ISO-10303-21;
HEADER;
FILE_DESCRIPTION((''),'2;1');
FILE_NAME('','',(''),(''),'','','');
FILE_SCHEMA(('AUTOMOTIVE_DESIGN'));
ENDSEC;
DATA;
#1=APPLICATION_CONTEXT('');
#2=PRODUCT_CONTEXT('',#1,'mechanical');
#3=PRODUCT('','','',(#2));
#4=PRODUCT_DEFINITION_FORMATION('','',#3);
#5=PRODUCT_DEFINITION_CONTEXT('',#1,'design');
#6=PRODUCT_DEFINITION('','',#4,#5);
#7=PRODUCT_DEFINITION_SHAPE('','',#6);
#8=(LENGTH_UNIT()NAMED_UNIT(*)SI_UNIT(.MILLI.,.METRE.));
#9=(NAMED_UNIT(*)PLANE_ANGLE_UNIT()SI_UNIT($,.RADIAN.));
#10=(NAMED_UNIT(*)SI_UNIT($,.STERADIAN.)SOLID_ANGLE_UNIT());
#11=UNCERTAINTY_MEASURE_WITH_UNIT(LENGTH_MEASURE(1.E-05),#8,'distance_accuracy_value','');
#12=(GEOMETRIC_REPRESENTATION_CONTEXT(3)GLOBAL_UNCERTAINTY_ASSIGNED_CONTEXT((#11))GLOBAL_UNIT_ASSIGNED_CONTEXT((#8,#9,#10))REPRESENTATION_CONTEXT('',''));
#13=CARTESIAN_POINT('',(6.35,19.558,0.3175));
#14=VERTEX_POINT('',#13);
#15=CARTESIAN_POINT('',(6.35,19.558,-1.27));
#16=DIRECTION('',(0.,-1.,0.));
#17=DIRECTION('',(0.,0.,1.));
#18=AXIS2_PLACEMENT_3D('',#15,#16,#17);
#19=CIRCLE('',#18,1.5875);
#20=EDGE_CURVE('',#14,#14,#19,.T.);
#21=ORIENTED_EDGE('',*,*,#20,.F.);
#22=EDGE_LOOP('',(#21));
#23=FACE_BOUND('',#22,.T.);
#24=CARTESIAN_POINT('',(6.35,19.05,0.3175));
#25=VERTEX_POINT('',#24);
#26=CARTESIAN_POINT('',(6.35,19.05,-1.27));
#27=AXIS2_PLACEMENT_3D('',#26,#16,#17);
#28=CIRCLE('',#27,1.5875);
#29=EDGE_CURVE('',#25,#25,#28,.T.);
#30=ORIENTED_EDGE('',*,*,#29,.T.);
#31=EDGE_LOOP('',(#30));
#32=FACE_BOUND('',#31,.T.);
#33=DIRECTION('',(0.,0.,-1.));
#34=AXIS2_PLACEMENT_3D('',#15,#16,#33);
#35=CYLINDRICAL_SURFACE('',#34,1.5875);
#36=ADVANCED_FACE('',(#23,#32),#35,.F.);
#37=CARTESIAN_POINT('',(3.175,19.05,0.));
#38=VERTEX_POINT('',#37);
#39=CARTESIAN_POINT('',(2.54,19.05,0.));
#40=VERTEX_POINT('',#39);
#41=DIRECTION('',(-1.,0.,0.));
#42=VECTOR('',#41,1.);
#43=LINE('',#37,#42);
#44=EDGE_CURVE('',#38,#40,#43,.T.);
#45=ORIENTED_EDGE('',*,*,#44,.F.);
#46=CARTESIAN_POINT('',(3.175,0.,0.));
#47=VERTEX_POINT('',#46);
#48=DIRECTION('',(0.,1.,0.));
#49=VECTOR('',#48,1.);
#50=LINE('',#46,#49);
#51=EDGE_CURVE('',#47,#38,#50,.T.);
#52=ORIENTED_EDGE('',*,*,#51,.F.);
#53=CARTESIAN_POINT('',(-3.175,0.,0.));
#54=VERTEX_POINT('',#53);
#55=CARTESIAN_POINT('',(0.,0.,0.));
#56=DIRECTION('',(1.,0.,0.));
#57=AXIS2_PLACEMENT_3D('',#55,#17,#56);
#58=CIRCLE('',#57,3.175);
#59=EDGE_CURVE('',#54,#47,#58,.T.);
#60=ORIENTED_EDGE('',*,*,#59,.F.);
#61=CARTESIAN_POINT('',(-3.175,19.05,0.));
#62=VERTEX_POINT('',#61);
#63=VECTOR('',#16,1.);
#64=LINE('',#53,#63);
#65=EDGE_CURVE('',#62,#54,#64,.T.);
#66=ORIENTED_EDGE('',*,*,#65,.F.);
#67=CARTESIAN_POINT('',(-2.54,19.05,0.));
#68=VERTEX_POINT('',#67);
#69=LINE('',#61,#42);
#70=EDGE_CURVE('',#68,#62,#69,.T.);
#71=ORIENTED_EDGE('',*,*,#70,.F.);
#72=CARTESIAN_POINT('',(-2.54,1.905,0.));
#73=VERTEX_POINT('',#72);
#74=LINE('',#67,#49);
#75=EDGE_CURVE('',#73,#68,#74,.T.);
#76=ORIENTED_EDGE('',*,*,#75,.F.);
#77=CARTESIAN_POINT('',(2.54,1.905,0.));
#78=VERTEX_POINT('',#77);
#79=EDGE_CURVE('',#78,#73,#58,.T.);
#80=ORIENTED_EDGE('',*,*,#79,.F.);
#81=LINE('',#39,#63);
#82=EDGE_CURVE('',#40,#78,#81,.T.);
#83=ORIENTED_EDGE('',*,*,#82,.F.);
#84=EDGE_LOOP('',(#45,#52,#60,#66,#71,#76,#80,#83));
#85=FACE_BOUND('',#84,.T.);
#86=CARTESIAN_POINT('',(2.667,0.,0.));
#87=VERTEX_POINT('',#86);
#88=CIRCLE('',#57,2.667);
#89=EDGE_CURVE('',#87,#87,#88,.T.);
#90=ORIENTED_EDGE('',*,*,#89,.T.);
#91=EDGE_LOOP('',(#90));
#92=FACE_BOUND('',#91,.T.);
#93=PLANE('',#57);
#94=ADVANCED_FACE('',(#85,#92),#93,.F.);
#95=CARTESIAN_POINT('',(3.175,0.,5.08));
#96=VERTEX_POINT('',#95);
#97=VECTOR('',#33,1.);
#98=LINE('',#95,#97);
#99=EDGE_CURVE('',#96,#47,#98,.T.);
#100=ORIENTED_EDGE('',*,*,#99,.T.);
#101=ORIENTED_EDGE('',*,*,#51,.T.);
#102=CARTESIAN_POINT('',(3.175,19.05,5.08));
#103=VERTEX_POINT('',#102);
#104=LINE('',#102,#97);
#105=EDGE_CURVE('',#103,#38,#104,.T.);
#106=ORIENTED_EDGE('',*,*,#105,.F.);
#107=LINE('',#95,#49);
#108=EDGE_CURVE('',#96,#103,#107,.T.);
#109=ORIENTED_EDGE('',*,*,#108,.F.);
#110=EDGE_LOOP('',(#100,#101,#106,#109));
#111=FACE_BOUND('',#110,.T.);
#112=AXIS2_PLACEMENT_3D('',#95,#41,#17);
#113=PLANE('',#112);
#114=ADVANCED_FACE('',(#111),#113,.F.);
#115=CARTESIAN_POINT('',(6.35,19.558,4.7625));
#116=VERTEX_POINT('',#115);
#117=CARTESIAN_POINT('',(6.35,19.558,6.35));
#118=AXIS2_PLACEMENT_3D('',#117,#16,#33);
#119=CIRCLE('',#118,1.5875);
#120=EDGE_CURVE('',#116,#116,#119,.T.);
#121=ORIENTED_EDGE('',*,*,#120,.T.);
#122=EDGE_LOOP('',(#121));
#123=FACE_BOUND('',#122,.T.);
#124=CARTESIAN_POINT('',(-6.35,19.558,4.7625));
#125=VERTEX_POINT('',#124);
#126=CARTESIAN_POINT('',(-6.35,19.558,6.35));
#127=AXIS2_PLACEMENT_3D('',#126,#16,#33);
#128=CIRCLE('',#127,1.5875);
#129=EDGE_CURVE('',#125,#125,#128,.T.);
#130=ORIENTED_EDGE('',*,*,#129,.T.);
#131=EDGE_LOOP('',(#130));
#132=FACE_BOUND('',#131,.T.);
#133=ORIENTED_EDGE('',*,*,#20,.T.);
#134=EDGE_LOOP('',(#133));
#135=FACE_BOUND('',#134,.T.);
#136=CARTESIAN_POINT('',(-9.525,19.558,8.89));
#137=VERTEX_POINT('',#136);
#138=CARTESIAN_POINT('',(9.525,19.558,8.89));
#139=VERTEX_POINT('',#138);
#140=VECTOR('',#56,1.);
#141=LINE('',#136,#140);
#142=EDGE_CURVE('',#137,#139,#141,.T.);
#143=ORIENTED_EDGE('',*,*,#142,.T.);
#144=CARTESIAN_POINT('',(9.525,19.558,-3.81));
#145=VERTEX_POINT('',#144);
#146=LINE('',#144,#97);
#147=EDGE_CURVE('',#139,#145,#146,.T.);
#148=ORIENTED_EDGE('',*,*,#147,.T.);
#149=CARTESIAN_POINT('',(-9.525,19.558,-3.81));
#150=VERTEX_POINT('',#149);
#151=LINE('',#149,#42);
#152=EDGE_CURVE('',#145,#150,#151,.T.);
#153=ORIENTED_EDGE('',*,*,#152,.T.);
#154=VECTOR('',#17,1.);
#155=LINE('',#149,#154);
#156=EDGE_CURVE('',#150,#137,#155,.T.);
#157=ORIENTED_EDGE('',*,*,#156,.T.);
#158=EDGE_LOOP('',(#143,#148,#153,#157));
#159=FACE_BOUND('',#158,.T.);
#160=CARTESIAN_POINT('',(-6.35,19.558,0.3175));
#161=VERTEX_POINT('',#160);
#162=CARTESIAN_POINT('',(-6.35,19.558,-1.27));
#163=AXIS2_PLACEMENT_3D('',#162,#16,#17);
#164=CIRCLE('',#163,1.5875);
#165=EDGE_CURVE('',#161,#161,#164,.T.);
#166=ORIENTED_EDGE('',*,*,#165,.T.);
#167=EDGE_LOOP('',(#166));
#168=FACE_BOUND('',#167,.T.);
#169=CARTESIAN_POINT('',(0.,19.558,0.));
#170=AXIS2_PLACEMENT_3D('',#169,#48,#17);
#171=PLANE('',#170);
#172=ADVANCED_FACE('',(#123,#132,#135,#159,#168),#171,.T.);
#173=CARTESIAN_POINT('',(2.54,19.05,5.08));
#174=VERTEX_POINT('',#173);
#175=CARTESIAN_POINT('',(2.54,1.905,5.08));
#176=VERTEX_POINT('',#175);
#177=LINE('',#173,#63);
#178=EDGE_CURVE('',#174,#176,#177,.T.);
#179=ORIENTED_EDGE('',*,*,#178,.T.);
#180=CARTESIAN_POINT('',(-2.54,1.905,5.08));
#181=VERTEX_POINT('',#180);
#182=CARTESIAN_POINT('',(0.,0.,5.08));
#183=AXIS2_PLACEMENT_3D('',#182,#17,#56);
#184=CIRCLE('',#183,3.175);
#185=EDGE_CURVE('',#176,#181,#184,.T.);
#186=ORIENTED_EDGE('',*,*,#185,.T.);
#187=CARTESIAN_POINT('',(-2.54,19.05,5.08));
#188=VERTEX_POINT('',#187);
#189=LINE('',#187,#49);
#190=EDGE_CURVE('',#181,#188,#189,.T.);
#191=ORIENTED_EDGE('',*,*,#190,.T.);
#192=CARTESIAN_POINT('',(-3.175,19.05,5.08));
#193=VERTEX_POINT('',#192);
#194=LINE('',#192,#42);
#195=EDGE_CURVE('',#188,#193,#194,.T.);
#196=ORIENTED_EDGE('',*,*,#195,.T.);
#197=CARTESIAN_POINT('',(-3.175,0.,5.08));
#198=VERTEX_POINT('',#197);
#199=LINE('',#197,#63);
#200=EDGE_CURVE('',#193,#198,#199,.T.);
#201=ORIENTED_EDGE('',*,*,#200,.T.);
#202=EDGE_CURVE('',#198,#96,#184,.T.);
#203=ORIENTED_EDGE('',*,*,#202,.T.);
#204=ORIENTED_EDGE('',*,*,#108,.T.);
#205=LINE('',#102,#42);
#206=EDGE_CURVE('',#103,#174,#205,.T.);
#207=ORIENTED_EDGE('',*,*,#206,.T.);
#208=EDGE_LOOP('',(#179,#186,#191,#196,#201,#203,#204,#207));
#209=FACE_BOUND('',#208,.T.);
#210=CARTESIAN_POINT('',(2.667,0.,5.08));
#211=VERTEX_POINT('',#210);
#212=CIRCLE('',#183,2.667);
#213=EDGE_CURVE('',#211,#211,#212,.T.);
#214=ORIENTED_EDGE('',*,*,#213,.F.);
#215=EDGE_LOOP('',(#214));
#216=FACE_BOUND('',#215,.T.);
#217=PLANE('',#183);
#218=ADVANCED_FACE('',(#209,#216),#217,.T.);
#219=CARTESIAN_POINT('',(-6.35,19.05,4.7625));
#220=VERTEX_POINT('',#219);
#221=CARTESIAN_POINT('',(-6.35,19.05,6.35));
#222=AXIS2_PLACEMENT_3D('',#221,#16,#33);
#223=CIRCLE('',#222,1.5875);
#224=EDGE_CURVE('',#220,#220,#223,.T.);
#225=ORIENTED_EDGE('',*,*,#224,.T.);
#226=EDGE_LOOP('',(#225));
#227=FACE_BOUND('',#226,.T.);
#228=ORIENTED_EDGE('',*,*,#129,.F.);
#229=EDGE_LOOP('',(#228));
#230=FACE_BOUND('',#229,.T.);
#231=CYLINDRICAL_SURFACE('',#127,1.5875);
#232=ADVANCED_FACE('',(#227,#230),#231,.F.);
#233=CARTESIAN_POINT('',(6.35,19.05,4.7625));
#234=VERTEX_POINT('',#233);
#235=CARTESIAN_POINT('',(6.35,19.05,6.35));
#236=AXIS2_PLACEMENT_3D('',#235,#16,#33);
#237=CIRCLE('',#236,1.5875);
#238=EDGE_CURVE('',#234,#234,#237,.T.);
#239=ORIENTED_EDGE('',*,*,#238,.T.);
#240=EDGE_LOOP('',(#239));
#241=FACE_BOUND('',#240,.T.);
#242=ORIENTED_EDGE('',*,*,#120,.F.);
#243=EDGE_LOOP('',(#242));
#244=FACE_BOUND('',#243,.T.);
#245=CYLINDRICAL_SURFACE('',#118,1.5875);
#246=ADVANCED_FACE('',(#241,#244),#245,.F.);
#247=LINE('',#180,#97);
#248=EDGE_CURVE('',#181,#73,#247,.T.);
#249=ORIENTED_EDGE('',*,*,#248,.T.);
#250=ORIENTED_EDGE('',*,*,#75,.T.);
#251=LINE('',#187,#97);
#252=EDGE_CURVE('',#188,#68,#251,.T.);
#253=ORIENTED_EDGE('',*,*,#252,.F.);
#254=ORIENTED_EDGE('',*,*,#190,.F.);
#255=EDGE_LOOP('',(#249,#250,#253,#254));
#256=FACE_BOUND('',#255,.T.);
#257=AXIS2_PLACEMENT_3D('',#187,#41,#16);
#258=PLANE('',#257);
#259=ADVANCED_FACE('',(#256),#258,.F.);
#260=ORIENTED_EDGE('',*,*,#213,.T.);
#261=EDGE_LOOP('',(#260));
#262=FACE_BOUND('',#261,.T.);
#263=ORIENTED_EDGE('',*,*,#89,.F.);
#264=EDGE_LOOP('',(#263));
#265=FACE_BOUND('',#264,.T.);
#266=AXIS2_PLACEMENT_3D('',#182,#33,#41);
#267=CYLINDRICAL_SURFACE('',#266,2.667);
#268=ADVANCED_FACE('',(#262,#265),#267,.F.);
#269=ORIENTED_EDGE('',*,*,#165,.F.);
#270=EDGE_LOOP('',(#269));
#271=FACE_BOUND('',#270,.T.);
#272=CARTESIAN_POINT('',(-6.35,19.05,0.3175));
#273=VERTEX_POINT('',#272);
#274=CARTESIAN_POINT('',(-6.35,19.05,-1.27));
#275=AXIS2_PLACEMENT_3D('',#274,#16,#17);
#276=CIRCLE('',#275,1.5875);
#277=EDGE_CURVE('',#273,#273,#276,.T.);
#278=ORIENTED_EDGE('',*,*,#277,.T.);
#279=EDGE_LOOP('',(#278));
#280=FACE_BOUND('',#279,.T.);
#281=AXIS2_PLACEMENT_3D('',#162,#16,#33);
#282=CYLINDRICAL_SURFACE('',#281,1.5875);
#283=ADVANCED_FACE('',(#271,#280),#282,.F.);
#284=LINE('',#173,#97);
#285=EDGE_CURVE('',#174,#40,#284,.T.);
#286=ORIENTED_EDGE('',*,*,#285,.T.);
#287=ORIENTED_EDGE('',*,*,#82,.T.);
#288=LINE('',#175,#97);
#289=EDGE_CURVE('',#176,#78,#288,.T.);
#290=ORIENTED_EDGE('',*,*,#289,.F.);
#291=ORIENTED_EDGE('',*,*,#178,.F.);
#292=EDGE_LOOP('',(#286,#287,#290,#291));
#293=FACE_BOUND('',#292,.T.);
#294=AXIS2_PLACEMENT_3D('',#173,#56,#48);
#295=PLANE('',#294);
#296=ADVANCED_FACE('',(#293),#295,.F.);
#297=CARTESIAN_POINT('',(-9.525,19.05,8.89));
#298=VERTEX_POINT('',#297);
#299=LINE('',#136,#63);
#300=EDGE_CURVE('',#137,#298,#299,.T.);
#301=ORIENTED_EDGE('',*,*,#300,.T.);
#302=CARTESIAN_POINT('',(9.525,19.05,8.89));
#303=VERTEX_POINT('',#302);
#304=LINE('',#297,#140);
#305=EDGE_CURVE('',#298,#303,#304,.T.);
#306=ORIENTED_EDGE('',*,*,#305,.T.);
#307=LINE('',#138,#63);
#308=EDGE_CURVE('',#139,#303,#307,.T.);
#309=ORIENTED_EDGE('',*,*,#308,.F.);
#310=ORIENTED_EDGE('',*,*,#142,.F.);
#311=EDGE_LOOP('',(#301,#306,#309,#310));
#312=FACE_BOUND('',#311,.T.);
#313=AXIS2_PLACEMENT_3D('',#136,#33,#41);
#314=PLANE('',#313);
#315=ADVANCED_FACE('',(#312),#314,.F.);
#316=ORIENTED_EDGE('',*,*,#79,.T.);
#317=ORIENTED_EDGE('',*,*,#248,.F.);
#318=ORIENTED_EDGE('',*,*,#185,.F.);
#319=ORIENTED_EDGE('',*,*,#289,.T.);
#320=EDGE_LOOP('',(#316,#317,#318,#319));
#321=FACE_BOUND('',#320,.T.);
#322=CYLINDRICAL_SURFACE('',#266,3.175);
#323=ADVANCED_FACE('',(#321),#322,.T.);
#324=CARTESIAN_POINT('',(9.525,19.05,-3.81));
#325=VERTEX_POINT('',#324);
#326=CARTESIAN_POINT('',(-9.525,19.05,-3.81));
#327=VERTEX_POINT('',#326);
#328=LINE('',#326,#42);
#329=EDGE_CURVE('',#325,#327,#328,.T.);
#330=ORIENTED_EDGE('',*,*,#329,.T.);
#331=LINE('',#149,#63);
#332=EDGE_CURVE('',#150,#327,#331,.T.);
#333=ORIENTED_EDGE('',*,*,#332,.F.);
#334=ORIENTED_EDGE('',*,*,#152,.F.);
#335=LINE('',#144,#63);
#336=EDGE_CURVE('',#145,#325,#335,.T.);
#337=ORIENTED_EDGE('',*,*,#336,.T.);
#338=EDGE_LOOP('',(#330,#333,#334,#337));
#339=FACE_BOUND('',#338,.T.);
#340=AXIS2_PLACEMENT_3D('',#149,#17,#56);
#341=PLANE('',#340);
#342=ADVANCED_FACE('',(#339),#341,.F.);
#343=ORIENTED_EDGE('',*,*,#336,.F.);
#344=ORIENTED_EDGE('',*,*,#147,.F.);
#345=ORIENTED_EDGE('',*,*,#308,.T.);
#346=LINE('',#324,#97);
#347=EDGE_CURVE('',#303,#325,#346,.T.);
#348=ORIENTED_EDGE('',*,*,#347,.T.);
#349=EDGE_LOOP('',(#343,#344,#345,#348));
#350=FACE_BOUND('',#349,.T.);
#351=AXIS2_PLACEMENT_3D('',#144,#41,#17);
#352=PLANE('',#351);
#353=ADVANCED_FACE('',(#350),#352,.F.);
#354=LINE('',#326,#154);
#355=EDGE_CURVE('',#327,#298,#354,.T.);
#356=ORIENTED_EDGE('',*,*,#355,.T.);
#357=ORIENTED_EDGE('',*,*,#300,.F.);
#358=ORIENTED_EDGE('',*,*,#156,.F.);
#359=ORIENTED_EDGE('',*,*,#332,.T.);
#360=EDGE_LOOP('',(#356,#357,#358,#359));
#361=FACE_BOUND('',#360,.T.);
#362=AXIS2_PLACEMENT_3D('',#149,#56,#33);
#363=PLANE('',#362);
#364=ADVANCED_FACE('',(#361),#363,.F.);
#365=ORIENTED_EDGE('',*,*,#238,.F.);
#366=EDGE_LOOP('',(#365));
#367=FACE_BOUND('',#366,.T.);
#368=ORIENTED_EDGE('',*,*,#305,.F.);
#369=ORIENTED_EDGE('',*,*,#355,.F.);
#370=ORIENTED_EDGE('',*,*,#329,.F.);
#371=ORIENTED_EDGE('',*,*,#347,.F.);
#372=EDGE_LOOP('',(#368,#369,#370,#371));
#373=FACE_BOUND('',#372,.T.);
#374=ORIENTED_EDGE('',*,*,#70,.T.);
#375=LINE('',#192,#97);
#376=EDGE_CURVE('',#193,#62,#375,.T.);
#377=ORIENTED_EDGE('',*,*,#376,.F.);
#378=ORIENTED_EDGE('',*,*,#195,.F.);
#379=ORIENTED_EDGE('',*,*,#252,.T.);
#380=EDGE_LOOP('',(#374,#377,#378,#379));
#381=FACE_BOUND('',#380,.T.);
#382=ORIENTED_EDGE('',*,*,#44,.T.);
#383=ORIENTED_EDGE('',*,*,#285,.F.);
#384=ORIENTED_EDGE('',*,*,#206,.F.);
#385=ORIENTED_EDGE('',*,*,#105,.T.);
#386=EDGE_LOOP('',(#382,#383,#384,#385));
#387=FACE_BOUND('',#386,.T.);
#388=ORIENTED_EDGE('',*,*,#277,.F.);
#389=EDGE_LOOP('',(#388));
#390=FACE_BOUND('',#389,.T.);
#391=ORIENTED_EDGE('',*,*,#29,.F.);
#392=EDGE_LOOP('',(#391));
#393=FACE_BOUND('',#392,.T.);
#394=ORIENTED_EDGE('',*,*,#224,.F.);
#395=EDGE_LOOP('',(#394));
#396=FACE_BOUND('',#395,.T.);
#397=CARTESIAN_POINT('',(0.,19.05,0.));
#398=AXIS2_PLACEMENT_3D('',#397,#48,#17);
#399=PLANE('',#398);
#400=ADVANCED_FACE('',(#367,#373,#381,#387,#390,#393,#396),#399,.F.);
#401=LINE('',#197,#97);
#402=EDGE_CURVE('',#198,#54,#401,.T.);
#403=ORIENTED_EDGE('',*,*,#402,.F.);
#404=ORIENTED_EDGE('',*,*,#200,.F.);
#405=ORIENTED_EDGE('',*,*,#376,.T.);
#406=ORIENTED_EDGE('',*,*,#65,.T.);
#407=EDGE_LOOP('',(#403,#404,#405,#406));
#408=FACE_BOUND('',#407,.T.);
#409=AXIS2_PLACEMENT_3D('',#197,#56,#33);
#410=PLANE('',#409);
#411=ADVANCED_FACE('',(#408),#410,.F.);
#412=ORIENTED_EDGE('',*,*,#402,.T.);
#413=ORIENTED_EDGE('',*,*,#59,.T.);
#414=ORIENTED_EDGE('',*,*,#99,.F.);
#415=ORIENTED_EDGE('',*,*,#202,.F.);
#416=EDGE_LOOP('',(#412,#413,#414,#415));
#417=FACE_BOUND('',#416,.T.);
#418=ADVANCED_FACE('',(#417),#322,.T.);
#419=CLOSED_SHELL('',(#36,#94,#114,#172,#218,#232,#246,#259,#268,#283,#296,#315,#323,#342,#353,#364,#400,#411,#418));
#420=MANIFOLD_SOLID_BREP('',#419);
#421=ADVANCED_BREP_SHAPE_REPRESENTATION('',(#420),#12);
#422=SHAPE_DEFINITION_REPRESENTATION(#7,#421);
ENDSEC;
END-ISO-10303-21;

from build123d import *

# Parameters (mm, degrees)
SKETCH1_R           = 2.667
BOSS_EXTRUDE1_DEPTH = 5.08
SKETCH2_W           = 19.05
SKETCH2_H           = 12.7
BOSS_EXTRUDE2_DEPTH = 0.508
SKETCH4_R           = 1.5875
CUT_EXTRUDE1_DEPTH  = 26.762537724


with BuildPart() as part:
    # Sketch1 → Boss-Extrude1 (new body)
    with BuildSketch(Plane.XY):
        with BuildLine():
            Line((-3.175, 0), (-3.175, 19.05))
            Line((-3.175, 19.05), (-2.54, 19.05))
            Line((-2.54, 19.05), (-2.54, 1.905))
            ThreePointArc((-2.54, 1.905), (0, 3.175), (2.54, 1.905))
            Line((2.54, 1.905), (2.54, 19.05))
            Line((2.54, 19.05), (3.175, 19.05))
            Line((3.175, 19.05), (3.175, 0))
            ThreePointArc((3.175, 0), (0, -3.175), (-3.175, 0))
        make_face()
        Circle(SKETCH1_R, mode=Mode.SUBTRACT)
    extrude(amount=BOSS_EXTRUDE1_DEPTH)

    # Sketch2 → Boss-Extrude2 (add)
    with BuildSketch(Plane(origin=(0, 19.05, 0), x_dir=(1, 0, 0), z_dir=(0, 1, 0))):
        with Locations((0, -2.54)):
            Rectangle(SKETCH2_W, SKETCH2_H)
    extrude(amount=BOSS_EXTRUDE2_DEPTH)

    # Sketch4 → Cut-Extrude1 (cut, through all)
    with BuildSketch(Plane.XZ.offset(-19.05)):
        with Locations(Location((-6.35, 6.35, 0), (0, 0, 270))):
            Circle(SKETCH4_R)
        with Locations(Location((6.35, 6.35, 0), (0, 0, 270))):
            Circle(SKETCH4_R)
        with Locations(Location((6.35, -1.27, 0), (0, 0, 90))):
            Circle(SKETCH4_R)
        with Locations(Location((-6.35, -1.27, 0), (0, 0, 90))):
            Circle(SKETCH4_R)
    extrude(amount=-CUT_EXTRUDE1_DEPTH, mode=Mode.SUBTRACT)


solid = part.part
